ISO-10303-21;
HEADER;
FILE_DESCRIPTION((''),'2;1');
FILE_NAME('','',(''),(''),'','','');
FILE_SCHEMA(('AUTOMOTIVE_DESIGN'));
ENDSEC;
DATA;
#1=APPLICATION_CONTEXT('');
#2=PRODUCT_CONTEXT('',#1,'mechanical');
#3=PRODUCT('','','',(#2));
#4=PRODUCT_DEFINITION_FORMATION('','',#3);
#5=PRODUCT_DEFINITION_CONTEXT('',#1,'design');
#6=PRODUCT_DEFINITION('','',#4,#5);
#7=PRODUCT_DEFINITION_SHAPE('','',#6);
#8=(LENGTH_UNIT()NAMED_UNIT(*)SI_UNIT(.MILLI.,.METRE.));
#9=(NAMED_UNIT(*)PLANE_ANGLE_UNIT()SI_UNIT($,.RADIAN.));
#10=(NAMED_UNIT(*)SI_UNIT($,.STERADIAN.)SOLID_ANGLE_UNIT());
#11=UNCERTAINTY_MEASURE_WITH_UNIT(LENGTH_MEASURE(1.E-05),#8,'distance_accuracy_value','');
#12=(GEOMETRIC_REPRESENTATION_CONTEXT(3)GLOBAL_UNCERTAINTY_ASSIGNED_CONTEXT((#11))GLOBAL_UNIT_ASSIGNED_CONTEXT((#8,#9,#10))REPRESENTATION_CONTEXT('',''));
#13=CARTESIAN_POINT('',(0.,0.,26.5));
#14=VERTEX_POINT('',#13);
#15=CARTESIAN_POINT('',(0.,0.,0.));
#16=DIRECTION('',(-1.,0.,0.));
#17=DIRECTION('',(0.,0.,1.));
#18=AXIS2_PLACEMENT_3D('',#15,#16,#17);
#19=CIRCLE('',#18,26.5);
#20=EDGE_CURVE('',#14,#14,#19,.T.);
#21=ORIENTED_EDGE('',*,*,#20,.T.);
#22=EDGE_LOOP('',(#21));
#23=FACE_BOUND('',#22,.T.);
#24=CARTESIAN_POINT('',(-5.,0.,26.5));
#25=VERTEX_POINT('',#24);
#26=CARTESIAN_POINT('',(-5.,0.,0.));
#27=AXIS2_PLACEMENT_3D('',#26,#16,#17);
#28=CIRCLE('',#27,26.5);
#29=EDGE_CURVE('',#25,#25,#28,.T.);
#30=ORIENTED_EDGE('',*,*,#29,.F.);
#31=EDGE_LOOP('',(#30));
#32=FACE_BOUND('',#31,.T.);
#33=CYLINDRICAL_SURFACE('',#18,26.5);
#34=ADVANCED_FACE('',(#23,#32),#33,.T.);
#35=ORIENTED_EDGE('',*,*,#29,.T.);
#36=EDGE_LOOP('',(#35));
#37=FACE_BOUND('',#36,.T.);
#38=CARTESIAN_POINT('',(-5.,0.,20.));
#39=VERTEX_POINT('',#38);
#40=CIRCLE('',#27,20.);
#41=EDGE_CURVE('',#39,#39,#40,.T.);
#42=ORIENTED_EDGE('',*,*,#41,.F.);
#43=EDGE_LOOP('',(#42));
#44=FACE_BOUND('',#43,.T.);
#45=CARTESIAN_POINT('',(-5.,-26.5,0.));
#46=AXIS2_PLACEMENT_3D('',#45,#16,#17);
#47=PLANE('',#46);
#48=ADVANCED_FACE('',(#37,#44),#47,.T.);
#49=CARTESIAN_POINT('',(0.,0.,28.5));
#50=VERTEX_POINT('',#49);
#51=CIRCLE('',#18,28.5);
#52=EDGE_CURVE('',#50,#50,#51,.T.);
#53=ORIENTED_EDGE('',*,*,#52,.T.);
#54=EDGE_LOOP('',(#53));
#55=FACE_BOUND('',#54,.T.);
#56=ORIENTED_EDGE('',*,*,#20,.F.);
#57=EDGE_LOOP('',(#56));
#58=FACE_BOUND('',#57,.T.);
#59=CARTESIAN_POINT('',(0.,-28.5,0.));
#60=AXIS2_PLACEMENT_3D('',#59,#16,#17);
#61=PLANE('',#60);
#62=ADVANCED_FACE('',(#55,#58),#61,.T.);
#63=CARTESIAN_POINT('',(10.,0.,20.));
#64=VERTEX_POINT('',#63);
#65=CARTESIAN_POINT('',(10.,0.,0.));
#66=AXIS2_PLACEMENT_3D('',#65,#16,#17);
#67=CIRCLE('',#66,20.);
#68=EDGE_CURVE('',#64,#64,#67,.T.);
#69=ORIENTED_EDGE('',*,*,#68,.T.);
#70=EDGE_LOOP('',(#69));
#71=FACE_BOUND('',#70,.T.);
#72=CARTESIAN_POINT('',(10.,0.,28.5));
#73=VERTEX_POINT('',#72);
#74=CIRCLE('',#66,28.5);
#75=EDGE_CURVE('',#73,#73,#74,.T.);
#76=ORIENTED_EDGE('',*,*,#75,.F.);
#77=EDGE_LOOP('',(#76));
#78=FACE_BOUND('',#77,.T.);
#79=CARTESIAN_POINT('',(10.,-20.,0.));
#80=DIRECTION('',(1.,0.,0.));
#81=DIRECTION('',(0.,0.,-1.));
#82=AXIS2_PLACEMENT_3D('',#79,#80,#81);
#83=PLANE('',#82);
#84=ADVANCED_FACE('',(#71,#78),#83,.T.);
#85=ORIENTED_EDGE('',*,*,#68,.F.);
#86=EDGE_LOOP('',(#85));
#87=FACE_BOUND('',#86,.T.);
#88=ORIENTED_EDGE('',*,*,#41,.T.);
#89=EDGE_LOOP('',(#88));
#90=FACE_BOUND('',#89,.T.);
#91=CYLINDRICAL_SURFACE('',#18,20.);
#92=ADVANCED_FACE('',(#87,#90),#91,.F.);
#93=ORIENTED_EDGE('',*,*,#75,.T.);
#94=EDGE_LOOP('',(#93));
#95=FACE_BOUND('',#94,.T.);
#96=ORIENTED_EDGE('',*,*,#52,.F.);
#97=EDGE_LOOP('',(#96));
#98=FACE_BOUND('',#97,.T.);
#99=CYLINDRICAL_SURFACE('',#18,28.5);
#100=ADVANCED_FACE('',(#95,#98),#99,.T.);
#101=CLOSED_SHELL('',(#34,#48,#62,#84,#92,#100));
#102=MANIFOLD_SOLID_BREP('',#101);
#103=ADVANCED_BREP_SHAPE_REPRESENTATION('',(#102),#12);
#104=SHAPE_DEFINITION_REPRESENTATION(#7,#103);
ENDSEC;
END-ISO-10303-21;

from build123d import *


with BuildPart() as part:
    # Эскиз1 → Повернуть1 (revolve)
    with BuildSketch(Plane.XY):
        Polygon((10, -20), (10, -28.5), (0, -28.5), (0, -26.5), (-5, -26.5), (-5, -20), align=None)
    revolve(axis=Axis((0, 0, 0), (1, 0, 0)))


solid = part.part
